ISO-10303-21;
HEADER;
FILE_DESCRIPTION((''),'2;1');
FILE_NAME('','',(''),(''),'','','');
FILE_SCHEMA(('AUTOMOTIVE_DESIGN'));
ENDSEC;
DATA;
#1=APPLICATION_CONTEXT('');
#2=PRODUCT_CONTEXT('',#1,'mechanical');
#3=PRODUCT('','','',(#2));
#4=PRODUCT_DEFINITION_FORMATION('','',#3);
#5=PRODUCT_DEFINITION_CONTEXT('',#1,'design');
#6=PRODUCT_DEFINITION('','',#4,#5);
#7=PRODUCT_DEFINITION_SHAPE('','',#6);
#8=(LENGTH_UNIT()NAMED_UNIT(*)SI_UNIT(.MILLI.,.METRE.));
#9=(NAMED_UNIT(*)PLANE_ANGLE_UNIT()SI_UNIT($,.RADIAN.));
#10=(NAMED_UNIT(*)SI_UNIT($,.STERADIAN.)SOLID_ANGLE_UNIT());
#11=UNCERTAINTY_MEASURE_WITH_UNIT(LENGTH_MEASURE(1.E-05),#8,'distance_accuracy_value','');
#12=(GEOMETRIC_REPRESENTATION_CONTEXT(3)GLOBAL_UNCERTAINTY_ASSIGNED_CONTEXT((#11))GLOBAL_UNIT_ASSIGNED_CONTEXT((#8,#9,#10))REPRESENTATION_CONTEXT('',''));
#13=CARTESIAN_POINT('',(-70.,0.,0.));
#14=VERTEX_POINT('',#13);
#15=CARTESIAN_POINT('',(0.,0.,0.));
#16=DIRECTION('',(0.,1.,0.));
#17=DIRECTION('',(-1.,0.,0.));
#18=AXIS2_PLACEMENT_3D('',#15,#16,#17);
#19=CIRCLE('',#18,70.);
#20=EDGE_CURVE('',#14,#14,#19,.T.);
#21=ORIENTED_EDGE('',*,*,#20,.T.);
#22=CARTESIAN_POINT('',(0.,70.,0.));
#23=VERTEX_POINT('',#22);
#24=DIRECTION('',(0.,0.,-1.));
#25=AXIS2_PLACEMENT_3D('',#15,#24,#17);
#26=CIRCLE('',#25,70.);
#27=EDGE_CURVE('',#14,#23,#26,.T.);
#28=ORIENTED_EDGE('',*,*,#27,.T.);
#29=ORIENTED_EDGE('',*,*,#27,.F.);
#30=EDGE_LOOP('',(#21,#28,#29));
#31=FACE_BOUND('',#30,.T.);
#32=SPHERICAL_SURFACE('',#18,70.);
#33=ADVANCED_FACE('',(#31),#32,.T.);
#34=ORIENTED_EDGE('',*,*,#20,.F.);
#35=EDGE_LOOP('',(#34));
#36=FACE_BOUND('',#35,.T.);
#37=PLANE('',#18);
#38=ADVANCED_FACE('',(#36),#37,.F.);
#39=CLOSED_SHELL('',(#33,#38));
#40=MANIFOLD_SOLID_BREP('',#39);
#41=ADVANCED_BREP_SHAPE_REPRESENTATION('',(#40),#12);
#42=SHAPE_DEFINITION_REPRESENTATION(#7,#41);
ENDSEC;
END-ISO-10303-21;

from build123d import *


with BuildPart() as part:
    # 草图1 → 旋转1 (revolve)
    with BuildSketch(Plane.XY):
        with BuildLine():
            Line((0, 0), (-70, 0))
            ThreePointArc((-70, 0), (-49.497474683, 49.497474683), (0, 70))
            Line((0, 70), (0, 0))
        make_face()
    revolve(axis=Axis((0, 0, 0), (0, 1, 0)))


solid = part.part
